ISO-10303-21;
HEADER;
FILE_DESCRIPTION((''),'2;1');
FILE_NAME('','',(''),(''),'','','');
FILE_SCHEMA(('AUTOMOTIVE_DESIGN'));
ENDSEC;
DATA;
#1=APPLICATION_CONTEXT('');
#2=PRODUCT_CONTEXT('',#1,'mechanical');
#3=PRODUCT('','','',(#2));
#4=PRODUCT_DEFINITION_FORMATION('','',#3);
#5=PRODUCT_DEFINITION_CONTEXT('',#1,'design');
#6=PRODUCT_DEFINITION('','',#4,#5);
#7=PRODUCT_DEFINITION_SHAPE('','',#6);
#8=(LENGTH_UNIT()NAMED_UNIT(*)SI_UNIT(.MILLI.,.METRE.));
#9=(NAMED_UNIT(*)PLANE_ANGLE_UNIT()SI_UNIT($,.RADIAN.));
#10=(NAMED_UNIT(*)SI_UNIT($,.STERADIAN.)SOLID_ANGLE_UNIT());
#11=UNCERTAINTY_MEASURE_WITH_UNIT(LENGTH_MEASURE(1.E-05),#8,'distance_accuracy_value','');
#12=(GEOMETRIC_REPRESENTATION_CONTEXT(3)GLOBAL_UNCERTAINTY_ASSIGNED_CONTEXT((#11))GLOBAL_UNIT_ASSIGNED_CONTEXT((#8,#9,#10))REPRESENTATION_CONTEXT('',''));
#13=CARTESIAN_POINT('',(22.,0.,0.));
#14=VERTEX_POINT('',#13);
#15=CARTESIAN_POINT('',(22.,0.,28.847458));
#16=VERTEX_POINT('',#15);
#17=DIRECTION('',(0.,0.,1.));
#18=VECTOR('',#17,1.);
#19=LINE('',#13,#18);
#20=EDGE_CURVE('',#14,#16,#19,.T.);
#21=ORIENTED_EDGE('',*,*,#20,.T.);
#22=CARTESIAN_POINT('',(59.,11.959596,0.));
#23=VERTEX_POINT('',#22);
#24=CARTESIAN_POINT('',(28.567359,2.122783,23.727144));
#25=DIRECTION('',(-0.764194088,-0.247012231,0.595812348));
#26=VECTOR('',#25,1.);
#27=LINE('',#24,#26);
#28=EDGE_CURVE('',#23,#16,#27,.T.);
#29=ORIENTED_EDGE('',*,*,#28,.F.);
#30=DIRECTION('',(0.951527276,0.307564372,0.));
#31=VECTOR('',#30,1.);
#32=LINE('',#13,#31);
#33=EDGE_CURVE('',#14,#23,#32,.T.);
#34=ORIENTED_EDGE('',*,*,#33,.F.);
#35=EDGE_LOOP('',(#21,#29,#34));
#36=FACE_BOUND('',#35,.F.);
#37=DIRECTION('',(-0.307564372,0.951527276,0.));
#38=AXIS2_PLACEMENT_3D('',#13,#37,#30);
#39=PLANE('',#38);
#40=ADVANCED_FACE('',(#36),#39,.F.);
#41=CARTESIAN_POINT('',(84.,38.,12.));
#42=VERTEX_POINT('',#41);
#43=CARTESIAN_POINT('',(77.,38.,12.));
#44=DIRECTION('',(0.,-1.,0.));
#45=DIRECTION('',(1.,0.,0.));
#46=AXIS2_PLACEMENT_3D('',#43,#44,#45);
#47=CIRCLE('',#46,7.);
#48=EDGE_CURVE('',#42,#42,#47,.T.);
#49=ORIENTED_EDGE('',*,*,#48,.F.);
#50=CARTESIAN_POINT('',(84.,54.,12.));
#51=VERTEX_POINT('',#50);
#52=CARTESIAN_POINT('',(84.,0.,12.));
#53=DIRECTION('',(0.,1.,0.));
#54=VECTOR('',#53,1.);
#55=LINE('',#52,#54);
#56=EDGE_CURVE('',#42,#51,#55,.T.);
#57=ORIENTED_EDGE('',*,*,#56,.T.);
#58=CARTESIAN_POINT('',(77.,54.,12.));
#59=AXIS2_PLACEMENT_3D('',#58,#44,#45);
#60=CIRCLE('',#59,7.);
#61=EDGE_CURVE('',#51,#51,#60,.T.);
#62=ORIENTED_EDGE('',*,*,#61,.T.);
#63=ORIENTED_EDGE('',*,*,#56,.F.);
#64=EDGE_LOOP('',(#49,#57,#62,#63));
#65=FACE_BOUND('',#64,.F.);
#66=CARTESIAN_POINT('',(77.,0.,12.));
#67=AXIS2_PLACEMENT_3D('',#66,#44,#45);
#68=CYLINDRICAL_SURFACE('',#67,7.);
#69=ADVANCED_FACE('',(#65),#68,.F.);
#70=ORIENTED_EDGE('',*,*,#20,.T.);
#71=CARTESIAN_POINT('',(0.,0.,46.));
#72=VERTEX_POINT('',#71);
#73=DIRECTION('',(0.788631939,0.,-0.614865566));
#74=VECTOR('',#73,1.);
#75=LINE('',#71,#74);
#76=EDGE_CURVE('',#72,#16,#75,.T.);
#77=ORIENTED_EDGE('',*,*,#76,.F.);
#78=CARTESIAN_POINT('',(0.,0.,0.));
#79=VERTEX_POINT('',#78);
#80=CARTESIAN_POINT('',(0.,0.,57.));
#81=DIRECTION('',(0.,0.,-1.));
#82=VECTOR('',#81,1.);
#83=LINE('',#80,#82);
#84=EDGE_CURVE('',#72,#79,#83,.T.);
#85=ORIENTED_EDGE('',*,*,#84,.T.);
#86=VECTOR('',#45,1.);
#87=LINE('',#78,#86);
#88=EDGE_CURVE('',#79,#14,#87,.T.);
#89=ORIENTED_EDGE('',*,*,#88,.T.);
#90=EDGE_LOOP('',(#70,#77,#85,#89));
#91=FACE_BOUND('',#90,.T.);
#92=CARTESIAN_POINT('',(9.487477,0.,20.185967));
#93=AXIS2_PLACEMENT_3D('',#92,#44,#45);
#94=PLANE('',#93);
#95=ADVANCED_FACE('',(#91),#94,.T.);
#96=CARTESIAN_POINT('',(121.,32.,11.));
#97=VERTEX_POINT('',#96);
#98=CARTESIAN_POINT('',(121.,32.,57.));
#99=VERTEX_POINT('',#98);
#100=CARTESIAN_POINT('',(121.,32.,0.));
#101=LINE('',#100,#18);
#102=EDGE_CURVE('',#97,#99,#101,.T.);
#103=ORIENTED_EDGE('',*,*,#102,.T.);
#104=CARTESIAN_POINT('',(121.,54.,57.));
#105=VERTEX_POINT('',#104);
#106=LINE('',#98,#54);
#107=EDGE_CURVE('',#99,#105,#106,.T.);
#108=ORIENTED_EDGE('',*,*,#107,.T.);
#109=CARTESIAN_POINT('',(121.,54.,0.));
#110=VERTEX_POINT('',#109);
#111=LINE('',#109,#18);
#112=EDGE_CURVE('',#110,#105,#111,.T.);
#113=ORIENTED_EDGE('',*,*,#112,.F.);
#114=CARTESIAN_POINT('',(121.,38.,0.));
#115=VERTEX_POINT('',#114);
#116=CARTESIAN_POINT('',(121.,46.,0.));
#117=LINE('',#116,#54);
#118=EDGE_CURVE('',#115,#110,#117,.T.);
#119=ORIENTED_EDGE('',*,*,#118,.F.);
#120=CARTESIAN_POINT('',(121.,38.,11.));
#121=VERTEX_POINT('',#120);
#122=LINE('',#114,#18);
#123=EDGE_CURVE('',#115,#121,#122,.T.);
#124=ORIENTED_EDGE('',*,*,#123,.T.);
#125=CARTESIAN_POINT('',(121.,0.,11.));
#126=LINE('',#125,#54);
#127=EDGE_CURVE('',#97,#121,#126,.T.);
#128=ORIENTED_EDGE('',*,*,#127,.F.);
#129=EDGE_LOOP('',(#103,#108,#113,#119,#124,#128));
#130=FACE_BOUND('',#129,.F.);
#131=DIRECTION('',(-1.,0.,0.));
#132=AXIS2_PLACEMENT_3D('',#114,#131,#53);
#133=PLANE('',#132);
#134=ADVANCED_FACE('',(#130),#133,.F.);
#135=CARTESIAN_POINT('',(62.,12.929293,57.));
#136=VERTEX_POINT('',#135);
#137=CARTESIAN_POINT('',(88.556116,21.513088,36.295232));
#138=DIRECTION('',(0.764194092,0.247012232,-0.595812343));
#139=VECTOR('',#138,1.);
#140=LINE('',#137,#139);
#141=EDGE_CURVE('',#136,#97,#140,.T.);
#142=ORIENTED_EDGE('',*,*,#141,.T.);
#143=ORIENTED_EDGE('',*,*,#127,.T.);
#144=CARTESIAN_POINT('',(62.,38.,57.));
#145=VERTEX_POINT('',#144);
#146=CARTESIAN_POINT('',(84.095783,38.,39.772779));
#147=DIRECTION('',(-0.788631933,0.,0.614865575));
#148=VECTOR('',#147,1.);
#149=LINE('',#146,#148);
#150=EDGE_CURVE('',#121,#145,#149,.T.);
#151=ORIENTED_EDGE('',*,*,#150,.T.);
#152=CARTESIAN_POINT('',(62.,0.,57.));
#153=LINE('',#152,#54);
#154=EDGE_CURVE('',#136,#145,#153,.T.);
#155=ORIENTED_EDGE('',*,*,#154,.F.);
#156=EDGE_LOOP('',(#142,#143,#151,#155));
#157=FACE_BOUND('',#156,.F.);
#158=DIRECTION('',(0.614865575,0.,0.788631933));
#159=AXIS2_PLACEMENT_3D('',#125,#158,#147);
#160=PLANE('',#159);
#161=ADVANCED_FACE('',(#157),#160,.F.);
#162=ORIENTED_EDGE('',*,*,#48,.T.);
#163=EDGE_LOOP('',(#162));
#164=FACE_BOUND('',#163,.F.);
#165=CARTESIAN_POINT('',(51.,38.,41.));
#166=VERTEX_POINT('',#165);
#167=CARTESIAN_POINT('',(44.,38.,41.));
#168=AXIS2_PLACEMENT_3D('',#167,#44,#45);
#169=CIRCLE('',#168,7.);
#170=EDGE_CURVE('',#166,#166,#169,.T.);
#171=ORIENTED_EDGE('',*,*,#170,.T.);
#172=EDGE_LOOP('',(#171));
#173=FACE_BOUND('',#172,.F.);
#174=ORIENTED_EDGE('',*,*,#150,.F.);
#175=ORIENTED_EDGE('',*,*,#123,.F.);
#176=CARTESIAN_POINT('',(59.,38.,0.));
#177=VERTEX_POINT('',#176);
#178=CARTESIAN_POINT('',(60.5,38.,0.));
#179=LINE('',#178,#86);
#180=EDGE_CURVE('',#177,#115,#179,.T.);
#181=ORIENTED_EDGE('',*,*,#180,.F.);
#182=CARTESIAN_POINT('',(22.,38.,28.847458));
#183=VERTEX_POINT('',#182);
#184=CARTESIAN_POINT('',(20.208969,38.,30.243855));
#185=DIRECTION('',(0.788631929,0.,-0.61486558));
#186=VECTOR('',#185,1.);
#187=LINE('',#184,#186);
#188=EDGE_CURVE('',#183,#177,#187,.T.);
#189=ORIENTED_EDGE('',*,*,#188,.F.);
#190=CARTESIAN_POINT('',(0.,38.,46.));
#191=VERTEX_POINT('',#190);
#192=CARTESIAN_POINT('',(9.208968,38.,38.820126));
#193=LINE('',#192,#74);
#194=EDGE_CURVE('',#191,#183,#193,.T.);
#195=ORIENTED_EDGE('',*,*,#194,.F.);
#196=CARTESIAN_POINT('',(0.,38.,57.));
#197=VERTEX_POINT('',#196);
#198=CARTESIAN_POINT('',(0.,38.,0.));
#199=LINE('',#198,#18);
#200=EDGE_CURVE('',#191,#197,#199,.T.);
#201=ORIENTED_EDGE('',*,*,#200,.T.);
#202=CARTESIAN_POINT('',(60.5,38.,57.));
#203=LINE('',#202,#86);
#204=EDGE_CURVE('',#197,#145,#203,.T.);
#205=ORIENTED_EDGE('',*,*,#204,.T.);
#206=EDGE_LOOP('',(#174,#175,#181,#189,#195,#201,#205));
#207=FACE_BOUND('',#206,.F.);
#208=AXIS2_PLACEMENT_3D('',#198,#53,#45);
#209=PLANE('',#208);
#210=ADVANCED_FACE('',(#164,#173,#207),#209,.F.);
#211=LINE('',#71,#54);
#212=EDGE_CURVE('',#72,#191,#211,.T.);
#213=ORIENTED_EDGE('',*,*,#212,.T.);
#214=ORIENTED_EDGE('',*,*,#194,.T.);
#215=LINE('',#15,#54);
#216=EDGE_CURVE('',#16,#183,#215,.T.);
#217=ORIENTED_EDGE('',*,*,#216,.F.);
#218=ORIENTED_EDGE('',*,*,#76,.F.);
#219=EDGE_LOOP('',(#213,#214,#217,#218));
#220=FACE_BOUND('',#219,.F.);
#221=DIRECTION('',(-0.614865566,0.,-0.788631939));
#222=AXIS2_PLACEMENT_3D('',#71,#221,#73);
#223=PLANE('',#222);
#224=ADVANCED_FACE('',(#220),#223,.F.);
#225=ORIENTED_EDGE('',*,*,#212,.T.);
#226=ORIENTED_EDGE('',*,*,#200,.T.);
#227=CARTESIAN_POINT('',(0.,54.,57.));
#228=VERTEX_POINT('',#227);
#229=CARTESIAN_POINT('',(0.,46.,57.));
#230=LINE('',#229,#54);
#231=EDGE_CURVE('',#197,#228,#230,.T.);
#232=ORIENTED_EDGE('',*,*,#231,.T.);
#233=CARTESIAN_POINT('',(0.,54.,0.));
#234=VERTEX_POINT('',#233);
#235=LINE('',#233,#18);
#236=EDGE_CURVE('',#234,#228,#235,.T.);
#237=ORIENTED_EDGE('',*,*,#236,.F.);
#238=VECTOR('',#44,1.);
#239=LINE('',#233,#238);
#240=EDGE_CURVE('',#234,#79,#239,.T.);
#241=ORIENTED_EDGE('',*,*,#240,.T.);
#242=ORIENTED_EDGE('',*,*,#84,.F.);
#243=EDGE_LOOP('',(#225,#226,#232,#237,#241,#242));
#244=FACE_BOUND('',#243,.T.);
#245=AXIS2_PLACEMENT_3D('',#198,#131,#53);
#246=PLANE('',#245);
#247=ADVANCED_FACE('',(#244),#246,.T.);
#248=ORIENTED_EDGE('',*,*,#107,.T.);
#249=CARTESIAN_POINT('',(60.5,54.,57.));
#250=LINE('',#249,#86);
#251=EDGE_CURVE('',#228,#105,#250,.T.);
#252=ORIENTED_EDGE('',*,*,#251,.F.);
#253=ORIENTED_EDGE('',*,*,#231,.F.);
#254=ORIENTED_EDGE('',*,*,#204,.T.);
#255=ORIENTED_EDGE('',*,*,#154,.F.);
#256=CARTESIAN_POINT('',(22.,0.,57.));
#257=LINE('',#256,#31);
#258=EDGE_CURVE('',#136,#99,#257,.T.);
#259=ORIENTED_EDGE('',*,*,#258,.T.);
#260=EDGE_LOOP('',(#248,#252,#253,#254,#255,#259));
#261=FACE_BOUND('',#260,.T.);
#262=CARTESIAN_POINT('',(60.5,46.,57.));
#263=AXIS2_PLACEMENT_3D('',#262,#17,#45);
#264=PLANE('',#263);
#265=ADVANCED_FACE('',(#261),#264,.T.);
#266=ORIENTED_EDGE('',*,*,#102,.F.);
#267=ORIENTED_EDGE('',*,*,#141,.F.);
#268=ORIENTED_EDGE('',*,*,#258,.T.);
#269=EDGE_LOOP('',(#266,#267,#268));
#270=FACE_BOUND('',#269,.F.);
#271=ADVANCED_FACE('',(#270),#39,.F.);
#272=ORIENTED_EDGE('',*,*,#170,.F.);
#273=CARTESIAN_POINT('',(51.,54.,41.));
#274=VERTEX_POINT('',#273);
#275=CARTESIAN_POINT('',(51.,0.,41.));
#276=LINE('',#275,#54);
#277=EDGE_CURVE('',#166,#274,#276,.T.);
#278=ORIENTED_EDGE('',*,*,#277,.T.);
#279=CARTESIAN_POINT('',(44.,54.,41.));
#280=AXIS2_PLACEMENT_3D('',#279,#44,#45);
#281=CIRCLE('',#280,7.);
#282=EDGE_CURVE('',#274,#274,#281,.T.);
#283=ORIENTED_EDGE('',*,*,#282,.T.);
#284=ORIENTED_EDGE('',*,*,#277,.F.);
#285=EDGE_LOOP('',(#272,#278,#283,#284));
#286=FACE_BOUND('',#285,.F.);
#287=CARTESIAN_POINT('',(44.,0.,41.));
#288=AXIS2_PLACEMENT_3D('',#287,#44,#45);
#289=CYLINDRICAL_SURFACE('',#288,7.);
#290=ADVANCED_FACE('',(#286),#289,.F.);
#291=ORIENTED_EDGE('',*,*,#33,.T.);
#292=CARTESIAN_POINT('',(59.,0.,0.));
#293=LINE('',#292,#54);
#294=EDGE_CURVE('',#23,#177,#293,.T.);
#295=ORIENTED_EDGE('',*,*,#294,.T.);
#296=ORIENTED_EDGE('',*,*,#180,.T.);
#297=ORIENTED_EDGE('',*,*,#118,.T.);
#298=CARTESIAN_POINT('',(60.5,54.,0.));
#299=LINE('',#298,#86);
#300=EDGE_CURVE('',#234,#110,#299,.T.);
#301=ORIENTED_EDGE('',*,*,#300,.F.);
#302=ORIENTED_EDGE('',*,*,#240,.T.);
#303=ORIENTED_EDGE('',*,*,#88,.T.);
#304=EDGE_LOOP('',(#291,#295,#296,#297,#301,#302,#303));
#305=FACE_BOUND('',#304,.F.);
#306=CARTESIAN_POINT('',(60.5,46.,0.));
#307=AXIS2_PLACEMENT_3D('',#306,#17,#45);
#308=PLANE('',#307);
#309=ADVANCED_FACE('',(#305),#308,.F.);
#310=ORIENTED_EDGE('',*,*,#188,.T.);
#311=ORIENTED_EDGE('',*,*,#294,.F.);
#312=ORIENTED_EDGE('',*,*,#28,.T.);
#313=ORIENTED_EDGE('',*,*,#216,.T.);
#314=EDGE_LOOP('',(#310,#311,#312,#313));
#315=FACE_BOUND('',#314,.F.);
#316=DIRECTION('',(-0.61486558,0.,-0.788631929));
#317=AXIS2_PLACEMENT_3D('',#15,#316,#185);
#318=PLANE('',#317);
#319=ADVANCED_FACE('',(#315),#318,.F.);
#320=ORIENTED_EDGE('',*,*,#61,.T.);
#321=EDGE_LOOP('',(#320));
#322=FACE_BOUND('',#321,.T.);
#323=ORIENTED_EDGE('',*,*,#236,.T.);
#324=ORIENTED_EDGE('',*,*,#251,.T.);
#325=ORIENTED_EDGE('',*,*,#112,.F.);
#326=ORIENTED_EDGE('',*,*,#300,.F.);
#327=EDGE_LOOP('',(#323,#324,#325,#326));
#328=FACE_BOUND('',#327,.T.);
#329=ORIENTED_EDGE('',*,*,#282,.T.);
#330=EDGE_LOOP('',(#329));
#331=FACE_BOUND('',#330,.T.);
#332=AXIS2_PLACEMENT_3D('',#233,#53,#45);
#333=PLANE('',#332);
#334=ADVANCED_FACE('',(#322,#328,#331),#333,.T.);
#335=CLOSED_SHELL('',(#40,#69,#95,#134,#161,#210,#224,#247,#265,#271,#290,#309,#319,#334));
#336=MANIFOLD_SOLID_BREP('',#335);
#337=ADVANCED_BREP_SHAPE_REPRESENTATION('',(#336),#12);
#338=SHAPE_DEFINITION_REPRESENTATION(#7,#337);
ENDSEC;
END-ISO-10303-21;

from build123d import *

# Parameters (mm, degrees)
F0_R          = 7
F1_DEPTH      = 38
F3_DEPTH      = 57
F4_DEPTH      = 54
F5_W          = 121
F5_H          = 16
F6_DEPTH      = 57
F7_DEPTH      = 54
F7_DEPTH_BACK = 38


with BuildPart() as f1:
    # F0 (on Front) → F1 (new body)
    with BuildSketch(Plane.XZ):
        Polygon((0, 46), (0, 0), (22, 0), (22, 28.847458), align=None)
        Polygon((22, 28.847458), (22, 0), (59, 0), align=None)
        Polygon((121, 57), (62, 57), (121, 11), align=None)
        Polygon((0, 57), (0, 46), (22, 28.847458), (59, 0), (121, 0), (121, 11), (62, 57), align=None)
        with Locations((77, 12)):
            Circle(F0_R, mode=Mode.SUBTRACT)
        with Locations((44, 41)):
            Circle(F0_R, mode=Mode.SUBTRACT)
    extrude(amount=-F1_DEPTH)

    # F2 (on face) → F3 (cut)
    with BuildSketch(Plane(origin=(0, 0, 0), x_dir=(1, 0, 0), z_dir=(0, 0, -1))):
        Polygon((121, 0), (22, 0), (121, -32), align=None)
    extrude(amount=-F3_DEPTH, mode=Mode.SUBTRACT)

    # F0 (on Front) → F4 (cut)
    with BuildSketch(Plane.XZ):
        Polygon((0, 57), (0, 46), (22, 28.847458), (59, 0), (121, 0), (121, 11), (62, 57), align=None)
        with Locations((77, 12)):
            Circle(F0_R, mode=Mode.SUBTRACT)
        with Locations((44, 41)):
            Circle(F0_R, mode=Mode.SUBTRACT)
    extrude(amount=-F4_DEPTH, mode=Mode.SUBTRACT)

    # F5 (on Top) → F6 (join)
    with BuildSketch(Plane.XY):
        with Locations((60.5, 46)):
            Rectangle(F5_W, F5_H)
    extrude(amount=F6_DEPTH)

    # F0 (on Front) → F7 (cut, two sides)
    with BuildSketch(Plane.XZ) as f7_sk:
        with Locations((44, 41)):
            Circle(F0_R)
        with Locations((77, 12)):
            Circle(F0_R)
    extrude(amount=-F7_DEPTH, mode=Mode.SUBTRACT)
    extrude(f7_sk.sketch, amount=-F7_DEPTH_BACK, mode=Mode.SUBTRACT)


solid = f1.part
